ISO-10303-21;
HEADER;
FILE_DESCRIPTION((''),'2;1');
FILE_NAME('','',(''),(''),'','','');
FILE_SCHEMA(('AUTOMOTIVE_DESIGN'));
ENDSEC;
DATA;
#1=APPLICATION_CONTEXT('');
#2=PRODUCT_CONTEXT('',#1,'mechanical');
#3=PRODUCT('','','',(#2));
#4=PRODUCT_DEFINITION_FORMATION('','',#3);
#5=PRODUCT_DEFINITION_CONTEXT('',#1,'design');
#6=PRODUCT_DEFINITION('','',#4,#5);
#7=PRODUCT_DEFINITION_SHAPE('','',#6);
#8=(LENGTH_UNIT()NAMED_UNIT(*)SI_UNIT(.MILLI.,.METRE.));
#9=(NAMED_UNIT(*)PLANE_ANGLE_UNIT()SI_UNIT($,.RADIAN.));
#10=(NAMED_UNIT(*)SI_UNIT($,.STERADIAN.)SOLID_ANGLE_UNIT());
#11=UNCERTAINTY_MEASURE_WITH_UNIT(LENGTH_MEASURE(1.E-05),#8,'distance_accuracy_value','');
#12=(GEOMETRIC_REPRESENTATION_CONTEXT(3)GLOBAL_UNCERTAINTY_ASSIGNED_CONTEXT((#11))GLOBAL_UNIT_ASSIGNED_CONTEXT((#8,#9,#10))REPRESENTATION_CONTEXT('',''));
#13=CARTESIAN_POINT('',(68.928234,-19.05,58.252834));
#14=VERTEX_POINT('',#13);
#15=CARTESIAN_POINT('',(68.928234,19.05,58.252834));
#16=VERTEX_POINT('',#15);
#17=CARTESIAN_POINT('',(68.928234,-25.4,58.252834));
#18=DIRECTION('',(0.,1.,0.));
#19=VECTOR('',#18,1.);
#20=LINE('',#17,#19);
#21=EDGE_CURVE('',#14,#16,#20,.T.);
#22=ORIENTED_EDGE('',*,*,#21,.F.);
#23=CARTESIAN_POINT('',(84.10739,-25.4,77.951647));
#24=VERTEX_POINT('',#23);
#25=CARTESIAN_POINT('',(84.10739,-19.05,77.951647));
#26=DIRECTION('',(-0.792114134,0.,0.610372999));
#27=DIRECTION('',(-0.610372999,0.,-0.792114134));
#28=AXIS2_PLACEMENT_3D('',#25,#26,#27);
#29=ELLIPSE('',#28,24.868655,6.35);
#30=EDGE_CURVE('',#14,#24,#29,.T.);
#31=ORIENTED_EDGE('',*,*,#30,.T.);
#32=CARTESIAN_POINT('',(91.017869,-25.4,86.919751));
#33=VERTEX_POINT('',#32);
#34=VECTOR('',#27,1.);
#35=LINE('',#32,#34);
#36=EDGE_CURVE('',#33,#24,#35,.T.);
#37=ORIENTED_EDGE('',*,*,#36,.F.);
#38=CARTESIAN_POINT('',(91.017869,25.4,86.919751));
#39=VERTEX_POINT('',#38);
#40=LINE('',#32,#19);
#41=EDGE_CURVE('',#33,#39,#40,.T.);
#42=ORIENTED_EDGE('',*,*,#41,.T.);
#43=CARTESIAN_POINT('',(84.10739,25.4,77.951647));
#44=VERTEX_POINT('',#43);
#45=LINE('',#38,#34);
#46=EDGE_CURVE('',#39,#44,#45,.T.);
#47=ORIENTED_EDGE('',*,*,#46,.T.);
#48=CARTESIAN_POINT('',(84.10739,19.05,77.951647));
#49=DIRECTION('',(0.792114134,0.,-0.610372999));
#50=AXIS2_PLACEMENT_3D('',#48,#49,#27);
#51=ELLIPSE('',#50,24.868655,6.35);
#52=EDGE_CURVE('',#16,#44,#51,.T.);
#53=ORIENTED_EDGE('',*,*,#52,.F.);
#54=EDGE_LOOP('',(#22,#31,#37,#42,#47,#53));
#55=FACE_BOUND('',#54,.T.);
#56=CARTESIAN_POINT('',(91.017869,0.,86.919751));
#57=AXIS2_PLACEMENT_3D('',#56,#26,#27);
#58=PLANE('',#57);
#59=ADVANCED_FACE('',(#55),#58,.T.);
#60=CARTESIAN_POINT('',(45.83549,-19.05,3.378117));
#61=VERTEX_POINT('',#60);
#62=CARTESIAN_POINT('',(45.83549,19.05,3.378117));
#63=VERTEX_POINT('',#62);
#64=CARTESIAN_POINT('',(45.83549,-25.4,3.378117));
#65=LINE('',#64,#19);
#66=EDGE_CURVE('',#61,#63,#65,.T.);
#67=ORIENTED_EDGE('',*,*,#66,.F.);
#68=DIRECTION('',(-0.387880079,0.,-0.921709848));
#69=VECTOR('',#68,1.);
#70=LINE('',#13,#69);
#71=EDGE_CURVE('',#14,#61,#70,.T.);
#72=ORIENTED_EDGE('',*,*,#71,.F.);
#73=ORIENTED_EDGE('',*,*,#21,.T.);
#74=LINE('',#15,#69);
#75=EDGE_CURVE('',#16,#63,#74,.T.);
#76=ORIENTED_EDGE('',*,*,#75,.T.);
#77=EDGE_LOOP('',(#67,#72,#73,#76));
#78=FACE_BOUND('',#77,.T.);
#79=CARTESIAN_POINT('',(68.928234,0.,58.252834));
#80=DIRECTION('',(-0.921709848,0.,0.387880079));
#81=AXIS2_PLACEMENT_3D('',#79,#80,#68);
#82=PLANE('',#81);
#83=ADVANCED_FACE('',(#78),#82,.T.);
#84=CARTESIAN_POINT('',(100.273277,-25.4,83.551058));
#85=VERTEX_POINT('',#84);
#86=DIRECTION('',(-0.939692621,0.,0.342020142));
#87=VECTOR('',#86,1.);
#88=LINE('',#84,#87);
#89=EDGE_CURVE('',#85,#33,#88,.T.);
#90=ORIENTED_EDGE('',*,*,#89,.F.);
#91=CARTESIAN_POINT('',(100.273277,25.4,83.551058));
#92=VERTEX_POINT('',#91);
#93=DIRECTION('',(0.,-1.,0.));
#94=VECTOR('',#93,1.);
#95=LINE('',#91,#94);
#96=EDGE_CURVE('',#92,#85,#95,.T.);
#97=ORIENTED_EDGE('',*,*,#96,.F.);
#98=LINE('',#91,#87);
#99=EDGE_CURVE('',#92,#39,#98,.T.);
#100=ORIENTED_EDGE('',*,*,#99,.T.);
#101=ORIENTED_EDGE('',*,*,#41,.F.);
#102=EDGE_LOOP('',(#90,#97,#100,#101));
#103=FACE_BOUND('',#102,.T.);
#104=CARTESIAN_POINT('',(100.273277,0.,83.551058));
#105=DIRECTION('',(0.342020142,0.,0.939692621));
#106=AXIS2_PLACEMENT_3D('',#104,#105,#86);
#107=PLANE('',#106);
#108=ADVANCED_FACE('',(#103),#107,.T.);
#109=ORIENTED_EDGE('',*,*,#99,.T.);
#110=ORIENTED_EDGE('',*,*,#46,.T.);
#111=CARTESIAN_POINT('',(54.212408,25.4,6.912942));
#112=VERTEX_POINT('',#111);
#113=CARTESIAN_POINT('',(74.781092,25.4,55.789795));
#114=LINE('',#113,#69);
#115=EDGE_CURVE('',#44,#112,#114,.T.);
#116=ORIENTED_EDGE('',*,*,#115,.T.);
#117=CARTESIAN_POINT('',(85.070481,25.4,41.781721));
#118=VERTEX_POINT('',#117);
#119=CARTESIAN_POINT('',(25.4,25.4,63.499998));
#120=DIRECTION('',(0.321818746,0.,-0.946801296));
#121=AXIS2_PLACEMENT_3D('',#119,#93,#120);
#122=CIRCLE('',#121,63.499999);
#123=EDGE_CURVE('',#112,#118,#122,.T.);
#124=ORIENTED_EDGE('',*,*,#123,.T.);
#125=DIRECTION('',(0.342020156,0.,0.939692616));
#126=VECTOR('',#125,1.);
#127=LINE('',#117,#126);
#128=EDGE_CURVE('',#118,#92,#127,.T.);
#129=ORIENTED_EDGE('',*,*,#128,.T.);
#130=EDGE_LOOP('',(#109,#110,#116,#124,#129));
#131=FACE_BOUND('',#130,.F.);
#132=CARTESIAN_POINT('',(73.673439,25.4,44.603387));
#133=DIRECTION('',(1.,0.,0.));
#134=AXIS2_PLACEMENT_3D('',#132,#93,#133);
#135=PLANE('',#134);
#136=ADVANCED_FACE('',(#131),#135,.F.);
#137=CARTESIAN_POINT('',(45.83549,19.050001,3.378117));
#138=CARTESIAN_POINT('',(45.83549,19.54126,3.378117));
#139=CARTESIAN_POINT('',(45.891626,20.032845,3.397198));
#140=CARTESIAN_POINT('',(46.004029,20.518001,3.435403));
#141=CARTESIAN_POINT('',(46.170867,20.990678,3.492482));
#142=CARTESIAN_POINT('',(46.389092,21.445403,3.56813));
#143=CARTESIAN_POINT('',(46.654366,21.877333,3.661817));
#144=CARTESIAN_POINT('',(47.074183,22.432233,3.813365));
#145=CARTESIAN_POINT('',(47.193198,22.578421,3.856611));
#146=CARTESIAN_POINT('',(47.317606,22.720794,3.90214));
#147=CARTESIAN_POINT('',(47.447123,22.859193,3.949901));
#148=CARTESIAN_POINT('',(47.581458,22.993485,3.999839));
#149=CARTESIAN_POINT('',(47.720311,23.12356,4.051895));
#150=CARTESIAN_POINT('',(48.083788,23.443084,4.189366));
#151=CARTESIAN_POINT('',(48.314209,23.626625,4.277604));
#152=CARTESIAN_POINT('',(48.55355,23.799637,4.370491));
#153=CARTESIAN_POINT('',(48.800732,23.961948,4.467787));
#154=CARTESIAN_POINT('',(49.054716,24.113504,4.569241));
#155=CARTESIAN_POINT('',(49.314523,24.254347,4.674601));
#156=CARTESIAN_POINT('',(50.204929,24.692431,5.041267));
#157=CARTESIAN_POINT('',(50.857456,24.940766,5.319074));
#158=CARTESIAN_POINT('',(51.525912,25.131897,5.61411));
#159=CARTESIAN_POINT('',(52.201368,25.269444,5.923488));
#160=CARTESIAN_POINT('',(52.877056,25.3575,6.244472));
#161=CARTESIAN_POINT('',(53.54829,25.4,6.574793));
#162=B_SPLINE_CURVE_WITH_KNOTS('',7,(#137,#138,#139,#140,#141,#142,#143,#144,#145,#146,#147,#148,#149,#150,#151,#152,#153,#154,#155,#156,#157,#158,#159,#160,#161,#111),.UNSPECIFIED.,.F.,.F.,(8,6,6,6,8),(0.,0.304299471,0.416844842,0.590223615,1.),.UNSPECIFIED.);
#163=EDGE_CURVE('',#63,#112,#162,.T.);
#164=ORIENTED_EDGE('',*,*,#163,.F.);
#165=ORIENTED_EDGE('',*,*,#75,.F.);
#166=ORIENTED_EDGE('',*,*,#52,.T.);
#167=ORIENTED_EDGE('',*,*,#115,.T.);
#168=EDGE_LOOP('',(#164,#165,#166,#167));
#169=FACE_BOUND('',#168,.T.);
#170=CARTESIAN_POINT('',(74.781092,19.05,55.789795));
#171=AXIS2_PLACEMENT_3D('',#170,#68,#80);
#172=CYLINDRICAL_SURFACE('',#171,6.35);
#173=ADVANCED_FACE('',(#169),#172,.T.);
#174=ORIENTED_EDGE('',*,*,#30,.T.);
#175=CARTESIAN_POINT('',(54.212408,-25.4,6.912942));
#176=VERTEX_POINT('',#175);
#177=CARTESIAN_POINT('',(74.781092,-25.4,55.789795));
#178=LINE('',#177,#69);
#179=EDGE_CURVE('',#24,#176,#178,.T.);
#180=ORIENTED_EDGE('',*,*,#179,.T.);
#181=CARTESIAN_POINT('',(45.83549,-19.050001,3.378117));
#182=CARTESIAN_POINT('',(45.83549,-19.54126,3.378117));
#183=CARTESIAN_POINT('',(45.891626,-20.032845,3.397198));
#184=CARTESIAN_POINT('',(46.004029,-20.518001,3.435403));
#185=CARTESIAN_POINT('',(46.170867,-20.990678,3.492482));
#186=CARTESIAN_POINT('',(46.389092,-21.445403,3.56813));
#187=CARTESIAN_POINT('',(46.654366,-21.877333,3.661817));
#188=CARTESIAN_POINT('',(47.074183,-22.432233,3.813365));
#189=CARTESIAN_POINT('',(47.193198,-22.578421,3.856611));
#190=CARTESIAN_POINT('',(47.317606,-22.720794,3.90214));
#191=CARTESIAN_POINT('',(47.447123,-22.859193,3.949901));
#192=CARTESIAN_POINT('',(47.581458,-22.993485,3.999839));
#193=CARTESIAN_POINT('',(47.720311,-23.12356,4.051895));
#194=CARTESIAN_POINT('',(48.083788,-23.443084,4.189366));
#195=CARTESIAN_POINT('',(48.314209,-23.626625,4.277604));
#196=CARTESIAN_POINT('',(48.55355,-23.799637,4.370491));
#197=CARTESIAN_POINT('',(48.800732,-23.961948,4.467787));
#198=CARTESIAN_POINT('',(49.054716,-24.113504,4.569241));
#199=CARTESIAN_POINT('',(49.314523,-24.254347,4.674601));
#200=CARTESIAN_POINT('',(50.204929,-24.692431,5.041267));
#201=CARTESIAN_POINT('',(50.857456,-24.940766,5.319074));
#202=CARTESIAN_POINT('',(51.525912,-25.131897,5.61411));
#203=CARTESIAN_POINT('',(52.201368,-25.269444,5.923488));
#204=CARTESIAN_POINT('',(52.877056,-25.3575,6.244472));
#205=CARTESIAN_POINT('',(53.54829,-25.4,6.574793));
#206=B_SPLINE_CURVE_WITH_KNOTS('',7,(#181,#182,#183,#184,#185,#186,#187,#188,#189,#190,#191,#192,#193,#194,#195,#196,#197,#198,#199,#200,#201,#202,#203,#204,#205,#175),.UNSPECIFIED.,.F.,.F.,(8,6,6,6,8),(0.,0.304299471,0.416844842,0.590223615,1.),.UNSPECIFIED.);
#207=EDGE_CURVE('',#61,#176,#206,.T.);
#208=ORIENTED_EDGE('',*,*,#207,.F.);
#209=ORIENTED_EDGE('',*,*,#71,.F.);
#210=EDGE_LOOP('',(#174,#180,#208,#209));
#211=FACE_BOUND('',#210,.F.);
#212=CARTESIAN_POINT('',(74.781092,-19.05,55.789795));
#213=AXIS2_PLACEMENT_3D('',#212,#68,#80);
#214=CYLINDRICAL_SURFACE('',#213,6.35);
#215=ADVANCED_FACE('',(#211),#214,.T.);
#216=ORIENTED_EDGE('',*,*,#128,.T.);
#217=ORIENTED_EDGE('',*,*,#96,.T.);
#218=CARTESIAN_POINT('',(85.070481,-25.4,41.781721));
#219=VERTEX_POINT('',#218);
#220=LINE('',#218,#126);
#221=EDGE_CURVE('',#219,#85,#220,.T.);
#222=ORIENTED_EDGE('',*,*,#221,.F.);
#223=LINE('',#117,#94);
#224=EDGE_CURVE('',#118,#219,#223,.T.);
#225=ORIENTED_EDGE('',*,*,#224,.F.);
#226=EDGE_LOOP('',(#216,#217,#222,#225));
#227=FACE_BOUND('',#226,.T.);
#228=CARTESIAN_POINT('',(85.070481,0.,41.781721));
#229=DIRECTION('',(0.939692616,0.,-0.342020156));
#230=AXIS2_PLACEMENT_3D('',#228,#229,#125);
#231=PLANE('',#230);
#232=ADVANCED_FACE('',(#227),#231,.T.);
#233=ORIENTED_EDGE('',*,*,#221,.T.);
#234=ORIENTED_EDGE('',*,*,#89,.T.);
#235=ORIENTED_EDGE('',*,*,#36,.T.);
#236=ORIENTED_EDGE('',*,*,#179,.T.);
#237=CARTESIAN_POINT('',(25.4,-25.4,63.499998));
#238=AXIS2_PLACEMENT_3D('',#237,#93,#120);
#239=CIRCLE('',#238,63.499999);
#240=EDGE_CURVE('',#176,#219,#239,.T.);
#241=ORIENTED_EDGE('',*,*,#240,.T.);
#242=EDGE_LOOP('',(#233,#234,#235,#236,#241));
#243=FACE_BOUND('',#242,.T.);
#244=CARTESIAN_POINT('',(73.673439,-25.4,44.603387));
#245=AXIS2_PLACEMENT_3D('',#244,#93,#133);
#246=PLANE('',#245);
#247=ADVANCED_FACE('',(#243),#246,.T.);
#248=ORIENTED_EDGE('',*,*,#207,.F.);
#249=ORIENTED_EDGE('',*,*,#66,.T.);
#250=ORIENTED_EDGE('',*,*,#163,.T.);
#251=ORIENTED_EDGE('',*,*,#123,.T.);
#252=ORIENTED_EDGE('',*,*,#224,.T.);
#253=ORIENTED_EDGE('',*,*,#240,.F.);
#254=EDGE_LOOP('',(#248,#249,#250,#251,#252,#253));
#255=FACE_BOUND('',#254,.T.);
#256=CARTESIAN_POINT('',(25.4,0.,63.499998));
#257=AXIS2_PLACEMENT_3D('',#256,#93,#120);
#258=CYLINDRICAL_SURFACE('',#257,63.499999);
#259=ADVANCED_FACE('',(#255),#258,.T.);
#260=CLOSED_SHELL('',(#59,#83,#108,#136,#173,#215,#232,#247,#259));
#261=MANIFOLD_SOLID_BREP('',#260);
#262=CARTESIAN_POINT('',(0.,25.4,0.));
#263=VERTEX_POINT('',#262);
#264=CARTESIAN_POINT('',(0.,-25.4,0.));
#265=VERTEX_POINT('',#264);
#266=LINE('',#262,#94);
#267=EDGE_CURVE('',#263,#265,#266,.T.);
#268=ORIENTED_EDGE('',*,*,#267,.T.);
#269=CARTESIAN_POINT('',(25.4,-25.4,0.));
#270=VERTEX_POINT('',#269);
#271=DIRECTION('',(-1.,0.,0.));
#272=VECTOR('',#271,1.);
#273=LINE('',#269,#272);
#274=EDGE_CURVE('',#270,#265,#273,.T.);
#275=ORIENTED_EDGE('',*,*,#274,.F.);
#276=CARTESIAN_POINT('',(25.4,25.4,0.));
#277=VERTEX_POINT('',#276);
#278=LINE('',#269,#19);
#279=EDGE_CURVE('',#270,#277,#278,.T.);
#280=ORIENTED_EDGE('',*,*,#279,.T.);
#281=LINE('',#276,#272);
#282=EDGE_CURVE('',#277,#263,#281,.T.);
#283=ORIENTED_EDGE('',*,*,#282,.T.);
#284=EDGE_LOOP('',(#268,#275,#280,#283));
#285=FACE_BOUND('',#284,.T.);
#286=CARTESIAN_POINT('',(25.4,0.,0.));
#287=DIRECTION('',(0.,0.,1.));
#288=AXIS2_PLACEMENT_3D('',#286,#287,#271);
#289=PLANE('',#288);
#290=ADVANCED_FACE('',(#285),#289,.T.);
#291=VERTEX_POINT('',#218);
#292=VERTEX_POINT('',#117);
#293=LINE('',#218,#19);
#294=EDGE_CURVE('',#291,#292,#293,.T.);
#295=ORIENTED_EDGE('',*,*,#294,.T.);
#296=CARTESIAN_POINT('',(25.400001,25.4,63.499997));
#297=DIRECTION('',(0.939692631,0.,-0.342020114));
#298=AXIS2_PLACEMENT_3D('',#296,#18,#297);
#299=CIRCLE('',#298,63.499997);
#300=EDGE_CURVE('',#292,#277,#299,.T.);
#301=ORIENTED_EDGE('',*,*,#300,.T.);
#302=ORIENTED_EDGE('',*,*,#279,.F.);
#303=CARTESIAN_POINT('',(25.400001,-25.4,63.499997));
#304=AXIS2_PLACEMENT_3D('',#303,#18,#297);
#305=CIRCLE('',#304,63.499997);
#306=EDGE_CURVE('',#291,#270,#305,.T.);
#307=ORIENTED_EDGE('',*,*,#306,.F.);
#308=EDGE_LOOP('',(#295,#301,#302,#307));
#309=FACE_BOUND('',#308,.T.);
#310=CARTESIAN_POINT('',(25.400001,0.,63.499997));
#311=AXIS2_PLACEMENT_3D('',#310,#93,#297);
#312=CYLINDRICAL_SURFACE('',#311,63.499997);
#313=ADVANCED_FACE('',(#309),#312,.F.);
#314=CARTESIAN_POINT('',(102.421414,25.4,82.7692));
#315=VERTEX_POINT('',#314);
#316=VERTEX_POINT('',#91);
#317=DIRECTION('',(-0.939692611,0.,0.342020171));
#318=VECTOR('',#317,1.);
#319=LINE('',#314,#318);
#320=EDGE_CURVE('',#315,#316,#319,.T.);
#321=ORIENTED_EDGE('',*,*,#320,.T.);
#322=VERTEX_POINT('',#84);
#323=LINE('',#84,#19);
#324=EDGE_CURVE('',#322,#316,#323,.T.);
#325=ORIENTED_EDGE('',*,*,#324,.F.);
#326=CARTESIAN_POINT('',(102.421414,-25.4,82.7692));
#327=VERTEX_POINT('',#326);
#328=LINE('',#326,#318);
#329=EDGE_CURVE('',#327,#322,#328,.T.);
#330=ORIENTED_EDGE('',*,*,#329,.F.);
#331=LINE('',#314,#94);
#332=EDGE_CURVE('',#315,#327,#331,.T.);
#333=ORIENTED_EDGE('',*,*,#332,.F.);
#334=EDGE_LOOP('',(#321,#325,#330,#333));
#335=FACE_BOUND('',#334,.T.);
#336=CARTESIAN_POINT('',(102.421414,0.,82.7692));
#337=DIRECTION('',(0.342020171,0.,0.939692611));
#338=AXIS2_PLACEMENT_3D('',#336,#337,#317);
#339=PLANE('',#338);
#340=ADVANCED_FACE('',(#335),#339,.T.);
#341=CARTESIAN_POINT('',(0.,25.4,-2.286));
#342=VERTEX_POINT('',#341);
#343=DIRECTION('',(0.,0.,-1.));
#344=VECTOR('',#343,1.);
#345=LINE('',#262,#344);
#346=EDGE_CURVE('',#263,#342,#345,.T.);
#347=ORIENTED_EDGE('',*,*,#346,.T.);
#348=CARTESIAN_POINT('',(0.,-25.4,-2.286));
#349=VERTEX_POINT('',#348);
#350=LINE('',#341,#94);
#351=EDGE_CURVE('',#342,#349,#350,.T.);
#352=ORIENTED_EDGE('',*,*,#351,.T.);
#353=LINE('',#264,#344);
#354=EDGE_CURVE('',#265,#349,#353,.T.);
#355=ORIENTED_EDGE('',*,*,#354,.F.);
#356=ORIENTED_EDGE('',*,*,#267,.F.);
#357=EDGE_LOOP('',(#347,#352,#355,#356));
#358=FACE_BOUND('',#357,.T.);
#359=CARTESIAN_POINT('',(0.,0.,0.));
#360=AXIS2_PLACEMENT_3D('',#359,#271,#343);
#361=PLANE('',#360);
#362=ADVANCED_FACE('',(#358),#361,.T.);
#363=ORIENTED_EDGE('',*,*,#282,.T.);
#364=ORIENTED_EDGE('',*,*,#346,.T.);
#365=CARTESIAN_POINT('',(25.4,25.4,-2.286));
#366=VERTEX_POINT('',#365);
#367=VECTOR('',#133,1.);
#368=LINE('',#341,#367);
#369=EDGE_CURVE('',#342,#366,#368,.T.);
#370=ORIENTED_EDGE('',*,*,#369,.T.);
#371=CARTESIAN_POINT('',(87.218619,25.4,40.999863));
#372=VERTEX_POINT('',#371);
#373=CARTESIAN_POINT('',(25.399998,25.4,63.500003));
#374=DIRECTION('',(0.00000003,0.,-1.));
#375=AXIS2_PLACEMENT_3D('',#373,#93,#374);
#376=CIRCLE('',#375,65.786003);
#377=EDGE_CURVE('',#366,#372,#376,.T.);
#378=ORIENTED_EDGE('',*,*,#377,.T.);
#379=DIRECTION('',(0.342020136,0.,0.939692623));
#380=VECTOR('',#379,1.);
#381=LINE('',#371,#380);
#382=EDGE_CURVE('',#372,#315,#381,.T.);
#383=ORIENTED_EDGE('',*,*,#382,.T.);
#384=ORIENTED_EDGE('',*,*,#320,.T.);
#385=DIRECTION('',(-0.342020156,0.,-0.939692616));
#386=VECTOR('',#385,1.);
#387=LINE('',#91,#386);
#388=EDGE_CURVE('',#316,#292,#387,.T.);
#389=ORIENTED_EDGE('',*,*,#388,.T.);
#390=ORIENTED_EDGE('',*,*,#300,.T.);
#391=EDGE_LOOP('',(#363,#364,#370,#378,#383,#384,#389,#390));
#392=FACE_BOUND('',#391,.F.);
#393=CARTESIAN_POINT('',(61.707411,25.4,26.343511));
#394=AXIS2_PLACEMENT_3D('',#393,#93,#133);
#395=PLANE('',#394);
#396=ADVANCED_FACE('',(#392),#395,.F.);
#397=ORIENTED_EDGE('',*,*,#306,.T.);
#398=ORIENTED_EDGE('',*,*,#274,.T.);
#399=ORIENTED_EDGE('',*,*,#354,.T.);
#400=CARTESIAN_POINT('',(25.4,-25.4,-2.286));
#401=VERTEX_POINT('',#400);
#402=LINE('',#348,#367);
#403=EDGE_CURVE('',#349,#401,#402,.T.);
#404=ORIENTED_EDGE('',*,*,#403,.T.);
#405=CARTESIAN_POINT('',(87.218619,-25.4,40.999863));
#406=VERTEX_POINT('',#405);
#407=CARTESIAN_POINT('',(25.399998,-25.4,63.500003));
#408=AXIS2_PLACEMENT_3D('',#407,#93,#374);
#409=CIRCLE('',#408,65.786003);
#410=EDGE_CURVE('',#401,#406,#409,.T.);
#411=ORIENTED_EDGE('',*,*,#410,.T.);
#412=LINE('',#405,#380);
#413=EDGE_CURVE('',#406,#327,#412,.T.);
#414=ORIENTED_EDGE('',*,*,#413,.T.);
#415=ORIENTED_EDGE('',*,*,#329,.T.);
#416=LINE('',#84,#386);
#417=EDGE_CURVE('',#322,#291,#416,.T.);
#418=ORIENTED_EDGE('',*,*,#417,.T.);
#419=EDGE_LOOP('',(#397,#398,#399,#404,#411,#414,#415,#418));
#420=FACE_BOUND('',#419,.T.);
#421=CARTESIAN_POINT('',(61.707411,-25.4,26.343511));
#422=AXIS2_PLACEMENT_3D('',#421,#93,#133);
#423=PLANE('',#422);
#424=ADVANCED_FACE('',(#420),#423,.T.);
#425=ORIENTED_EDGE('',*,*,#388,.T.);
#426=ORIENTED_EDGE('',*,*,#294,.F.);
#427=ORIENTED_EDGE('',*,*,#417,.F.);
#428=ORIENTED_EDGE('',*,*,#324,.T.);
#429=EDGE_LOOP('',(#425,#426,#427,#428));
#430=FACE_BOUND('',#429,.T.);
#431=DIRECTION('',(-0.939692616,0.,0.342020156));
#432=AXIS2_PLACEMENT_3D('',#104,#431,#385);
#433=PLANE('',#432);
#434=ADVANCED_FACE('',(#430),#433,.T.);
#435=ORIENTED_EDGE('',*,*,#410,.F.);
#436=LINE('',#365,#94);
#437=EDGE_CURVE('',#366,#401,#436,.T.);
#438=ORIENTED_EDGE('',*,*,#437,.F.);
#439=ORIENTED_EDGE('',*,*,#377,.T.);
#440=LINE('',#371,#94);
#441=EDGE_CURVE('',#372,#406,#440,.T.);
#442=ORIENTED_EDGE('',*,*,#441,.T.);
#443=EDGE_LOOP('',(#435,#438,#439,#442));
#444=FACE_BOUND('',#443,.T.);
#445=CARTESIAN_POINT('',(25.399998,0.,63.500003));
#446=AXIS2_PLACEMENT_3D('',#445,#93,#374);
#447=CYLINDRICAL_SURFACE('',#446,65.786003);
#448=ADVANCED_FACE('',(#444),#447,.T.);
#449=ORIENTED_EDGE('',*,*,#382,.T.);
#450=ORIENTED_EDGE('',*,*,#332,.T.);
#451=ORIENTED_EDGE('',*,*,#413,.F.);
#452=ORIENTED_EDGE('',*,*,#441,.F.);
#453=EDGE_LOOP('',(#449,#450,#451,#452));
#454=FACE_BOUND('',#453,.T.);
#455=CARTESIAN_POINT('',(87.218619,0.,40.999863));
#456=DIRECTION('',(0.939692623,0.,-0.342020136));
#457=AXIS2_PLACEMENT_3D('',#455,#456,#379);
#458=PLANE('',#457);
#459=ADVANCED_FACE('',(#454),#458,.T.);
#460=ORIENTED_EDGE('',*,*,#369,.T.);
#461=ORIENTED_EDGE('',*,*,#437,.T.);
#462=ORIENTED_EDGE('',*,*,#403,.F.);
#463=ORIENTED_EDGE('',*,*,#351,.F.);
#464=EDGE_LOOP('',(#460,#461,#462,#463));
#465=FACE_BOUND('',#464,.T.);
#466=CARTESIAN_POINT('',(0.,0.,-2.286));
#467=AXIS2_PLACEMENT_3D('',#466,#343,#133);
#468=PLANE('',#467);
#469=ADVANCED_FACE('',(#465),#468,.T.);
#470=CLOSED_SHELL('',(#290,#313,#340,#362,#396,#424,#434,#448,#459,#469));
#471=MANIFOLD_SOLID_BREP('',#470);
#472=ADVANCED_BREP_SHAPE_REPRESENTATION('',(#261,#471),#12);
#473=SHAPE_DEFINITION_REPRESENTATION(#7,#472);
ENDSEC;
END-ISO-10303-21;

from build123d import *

# Parameters (mm, degrees)
F1_DEPTH      = 25.4
F3_DEPTH      = 25.4
F3_DEPTH_BACK = 25.4
F4_R          = 6.35


with BuildPart() as f1:
    # F0 (on Front) → F1 (new body, symmetric)
    with BuildSketch(Plane.XZ):
        with BuildLine():
            Line((25.4, 0), (0, 0))
            Line((0, 0), (0, -2.286))
            Line((0, -2.286), (25.4, -2.286))
            ThreePointArc((25.4, -2.286), (63.133299, 9.611264), (87.218619, 40.999863))
            Line((87.218619, 40.999863), (102.421414, 82.7692))
            Line((102.421414, 82.7692), (100.273277, 83.551058))
            Line((100.273277, 83.551058), (85.070481, 41.781721))
            ThreePointArc((85.070481, 41.781721), (61.822104, 11.483845), (25.4, 0))
        make_face()
    extrude(amount=F1_DEPTH, both=True)


with BuildPart() as f3:
    # F2 (on Front) → F3 (new body, two sides)
    with BuildSketch(Plane.XZ) as f3_sk:
        with BuildLine():
            ThreePointArc((45.83549, 3.378117), (69.817911, 18.120498), (85.070481, 41.781721))
            Line((85.070481, 41.781721), (100.273277, 83.551058))
            Line((100.273277, 83.551058), (91.017869, 86.919751))
            Line((91.017869, 86.919751), (68.928234, 58.252834))
            Line((68.928234, 58.252834), (45.83549, 3.378117))
        make_face()
    extrude(amount=F3_DEPTH)
    extrude(f3_sk.sketch, amount=-F3_DEPTH_BACK)

    # F4
    f4_edges = [f3.edges().sort_by_distance(p)[0] for p in [
        (57.381862, -25.4, 30.815476),
        (57.381862, 25.4, 30.815476),
    ]]
    fillet(f4_edges, radius=F4_R)


solid = Compound([f1.part, f3.part])
